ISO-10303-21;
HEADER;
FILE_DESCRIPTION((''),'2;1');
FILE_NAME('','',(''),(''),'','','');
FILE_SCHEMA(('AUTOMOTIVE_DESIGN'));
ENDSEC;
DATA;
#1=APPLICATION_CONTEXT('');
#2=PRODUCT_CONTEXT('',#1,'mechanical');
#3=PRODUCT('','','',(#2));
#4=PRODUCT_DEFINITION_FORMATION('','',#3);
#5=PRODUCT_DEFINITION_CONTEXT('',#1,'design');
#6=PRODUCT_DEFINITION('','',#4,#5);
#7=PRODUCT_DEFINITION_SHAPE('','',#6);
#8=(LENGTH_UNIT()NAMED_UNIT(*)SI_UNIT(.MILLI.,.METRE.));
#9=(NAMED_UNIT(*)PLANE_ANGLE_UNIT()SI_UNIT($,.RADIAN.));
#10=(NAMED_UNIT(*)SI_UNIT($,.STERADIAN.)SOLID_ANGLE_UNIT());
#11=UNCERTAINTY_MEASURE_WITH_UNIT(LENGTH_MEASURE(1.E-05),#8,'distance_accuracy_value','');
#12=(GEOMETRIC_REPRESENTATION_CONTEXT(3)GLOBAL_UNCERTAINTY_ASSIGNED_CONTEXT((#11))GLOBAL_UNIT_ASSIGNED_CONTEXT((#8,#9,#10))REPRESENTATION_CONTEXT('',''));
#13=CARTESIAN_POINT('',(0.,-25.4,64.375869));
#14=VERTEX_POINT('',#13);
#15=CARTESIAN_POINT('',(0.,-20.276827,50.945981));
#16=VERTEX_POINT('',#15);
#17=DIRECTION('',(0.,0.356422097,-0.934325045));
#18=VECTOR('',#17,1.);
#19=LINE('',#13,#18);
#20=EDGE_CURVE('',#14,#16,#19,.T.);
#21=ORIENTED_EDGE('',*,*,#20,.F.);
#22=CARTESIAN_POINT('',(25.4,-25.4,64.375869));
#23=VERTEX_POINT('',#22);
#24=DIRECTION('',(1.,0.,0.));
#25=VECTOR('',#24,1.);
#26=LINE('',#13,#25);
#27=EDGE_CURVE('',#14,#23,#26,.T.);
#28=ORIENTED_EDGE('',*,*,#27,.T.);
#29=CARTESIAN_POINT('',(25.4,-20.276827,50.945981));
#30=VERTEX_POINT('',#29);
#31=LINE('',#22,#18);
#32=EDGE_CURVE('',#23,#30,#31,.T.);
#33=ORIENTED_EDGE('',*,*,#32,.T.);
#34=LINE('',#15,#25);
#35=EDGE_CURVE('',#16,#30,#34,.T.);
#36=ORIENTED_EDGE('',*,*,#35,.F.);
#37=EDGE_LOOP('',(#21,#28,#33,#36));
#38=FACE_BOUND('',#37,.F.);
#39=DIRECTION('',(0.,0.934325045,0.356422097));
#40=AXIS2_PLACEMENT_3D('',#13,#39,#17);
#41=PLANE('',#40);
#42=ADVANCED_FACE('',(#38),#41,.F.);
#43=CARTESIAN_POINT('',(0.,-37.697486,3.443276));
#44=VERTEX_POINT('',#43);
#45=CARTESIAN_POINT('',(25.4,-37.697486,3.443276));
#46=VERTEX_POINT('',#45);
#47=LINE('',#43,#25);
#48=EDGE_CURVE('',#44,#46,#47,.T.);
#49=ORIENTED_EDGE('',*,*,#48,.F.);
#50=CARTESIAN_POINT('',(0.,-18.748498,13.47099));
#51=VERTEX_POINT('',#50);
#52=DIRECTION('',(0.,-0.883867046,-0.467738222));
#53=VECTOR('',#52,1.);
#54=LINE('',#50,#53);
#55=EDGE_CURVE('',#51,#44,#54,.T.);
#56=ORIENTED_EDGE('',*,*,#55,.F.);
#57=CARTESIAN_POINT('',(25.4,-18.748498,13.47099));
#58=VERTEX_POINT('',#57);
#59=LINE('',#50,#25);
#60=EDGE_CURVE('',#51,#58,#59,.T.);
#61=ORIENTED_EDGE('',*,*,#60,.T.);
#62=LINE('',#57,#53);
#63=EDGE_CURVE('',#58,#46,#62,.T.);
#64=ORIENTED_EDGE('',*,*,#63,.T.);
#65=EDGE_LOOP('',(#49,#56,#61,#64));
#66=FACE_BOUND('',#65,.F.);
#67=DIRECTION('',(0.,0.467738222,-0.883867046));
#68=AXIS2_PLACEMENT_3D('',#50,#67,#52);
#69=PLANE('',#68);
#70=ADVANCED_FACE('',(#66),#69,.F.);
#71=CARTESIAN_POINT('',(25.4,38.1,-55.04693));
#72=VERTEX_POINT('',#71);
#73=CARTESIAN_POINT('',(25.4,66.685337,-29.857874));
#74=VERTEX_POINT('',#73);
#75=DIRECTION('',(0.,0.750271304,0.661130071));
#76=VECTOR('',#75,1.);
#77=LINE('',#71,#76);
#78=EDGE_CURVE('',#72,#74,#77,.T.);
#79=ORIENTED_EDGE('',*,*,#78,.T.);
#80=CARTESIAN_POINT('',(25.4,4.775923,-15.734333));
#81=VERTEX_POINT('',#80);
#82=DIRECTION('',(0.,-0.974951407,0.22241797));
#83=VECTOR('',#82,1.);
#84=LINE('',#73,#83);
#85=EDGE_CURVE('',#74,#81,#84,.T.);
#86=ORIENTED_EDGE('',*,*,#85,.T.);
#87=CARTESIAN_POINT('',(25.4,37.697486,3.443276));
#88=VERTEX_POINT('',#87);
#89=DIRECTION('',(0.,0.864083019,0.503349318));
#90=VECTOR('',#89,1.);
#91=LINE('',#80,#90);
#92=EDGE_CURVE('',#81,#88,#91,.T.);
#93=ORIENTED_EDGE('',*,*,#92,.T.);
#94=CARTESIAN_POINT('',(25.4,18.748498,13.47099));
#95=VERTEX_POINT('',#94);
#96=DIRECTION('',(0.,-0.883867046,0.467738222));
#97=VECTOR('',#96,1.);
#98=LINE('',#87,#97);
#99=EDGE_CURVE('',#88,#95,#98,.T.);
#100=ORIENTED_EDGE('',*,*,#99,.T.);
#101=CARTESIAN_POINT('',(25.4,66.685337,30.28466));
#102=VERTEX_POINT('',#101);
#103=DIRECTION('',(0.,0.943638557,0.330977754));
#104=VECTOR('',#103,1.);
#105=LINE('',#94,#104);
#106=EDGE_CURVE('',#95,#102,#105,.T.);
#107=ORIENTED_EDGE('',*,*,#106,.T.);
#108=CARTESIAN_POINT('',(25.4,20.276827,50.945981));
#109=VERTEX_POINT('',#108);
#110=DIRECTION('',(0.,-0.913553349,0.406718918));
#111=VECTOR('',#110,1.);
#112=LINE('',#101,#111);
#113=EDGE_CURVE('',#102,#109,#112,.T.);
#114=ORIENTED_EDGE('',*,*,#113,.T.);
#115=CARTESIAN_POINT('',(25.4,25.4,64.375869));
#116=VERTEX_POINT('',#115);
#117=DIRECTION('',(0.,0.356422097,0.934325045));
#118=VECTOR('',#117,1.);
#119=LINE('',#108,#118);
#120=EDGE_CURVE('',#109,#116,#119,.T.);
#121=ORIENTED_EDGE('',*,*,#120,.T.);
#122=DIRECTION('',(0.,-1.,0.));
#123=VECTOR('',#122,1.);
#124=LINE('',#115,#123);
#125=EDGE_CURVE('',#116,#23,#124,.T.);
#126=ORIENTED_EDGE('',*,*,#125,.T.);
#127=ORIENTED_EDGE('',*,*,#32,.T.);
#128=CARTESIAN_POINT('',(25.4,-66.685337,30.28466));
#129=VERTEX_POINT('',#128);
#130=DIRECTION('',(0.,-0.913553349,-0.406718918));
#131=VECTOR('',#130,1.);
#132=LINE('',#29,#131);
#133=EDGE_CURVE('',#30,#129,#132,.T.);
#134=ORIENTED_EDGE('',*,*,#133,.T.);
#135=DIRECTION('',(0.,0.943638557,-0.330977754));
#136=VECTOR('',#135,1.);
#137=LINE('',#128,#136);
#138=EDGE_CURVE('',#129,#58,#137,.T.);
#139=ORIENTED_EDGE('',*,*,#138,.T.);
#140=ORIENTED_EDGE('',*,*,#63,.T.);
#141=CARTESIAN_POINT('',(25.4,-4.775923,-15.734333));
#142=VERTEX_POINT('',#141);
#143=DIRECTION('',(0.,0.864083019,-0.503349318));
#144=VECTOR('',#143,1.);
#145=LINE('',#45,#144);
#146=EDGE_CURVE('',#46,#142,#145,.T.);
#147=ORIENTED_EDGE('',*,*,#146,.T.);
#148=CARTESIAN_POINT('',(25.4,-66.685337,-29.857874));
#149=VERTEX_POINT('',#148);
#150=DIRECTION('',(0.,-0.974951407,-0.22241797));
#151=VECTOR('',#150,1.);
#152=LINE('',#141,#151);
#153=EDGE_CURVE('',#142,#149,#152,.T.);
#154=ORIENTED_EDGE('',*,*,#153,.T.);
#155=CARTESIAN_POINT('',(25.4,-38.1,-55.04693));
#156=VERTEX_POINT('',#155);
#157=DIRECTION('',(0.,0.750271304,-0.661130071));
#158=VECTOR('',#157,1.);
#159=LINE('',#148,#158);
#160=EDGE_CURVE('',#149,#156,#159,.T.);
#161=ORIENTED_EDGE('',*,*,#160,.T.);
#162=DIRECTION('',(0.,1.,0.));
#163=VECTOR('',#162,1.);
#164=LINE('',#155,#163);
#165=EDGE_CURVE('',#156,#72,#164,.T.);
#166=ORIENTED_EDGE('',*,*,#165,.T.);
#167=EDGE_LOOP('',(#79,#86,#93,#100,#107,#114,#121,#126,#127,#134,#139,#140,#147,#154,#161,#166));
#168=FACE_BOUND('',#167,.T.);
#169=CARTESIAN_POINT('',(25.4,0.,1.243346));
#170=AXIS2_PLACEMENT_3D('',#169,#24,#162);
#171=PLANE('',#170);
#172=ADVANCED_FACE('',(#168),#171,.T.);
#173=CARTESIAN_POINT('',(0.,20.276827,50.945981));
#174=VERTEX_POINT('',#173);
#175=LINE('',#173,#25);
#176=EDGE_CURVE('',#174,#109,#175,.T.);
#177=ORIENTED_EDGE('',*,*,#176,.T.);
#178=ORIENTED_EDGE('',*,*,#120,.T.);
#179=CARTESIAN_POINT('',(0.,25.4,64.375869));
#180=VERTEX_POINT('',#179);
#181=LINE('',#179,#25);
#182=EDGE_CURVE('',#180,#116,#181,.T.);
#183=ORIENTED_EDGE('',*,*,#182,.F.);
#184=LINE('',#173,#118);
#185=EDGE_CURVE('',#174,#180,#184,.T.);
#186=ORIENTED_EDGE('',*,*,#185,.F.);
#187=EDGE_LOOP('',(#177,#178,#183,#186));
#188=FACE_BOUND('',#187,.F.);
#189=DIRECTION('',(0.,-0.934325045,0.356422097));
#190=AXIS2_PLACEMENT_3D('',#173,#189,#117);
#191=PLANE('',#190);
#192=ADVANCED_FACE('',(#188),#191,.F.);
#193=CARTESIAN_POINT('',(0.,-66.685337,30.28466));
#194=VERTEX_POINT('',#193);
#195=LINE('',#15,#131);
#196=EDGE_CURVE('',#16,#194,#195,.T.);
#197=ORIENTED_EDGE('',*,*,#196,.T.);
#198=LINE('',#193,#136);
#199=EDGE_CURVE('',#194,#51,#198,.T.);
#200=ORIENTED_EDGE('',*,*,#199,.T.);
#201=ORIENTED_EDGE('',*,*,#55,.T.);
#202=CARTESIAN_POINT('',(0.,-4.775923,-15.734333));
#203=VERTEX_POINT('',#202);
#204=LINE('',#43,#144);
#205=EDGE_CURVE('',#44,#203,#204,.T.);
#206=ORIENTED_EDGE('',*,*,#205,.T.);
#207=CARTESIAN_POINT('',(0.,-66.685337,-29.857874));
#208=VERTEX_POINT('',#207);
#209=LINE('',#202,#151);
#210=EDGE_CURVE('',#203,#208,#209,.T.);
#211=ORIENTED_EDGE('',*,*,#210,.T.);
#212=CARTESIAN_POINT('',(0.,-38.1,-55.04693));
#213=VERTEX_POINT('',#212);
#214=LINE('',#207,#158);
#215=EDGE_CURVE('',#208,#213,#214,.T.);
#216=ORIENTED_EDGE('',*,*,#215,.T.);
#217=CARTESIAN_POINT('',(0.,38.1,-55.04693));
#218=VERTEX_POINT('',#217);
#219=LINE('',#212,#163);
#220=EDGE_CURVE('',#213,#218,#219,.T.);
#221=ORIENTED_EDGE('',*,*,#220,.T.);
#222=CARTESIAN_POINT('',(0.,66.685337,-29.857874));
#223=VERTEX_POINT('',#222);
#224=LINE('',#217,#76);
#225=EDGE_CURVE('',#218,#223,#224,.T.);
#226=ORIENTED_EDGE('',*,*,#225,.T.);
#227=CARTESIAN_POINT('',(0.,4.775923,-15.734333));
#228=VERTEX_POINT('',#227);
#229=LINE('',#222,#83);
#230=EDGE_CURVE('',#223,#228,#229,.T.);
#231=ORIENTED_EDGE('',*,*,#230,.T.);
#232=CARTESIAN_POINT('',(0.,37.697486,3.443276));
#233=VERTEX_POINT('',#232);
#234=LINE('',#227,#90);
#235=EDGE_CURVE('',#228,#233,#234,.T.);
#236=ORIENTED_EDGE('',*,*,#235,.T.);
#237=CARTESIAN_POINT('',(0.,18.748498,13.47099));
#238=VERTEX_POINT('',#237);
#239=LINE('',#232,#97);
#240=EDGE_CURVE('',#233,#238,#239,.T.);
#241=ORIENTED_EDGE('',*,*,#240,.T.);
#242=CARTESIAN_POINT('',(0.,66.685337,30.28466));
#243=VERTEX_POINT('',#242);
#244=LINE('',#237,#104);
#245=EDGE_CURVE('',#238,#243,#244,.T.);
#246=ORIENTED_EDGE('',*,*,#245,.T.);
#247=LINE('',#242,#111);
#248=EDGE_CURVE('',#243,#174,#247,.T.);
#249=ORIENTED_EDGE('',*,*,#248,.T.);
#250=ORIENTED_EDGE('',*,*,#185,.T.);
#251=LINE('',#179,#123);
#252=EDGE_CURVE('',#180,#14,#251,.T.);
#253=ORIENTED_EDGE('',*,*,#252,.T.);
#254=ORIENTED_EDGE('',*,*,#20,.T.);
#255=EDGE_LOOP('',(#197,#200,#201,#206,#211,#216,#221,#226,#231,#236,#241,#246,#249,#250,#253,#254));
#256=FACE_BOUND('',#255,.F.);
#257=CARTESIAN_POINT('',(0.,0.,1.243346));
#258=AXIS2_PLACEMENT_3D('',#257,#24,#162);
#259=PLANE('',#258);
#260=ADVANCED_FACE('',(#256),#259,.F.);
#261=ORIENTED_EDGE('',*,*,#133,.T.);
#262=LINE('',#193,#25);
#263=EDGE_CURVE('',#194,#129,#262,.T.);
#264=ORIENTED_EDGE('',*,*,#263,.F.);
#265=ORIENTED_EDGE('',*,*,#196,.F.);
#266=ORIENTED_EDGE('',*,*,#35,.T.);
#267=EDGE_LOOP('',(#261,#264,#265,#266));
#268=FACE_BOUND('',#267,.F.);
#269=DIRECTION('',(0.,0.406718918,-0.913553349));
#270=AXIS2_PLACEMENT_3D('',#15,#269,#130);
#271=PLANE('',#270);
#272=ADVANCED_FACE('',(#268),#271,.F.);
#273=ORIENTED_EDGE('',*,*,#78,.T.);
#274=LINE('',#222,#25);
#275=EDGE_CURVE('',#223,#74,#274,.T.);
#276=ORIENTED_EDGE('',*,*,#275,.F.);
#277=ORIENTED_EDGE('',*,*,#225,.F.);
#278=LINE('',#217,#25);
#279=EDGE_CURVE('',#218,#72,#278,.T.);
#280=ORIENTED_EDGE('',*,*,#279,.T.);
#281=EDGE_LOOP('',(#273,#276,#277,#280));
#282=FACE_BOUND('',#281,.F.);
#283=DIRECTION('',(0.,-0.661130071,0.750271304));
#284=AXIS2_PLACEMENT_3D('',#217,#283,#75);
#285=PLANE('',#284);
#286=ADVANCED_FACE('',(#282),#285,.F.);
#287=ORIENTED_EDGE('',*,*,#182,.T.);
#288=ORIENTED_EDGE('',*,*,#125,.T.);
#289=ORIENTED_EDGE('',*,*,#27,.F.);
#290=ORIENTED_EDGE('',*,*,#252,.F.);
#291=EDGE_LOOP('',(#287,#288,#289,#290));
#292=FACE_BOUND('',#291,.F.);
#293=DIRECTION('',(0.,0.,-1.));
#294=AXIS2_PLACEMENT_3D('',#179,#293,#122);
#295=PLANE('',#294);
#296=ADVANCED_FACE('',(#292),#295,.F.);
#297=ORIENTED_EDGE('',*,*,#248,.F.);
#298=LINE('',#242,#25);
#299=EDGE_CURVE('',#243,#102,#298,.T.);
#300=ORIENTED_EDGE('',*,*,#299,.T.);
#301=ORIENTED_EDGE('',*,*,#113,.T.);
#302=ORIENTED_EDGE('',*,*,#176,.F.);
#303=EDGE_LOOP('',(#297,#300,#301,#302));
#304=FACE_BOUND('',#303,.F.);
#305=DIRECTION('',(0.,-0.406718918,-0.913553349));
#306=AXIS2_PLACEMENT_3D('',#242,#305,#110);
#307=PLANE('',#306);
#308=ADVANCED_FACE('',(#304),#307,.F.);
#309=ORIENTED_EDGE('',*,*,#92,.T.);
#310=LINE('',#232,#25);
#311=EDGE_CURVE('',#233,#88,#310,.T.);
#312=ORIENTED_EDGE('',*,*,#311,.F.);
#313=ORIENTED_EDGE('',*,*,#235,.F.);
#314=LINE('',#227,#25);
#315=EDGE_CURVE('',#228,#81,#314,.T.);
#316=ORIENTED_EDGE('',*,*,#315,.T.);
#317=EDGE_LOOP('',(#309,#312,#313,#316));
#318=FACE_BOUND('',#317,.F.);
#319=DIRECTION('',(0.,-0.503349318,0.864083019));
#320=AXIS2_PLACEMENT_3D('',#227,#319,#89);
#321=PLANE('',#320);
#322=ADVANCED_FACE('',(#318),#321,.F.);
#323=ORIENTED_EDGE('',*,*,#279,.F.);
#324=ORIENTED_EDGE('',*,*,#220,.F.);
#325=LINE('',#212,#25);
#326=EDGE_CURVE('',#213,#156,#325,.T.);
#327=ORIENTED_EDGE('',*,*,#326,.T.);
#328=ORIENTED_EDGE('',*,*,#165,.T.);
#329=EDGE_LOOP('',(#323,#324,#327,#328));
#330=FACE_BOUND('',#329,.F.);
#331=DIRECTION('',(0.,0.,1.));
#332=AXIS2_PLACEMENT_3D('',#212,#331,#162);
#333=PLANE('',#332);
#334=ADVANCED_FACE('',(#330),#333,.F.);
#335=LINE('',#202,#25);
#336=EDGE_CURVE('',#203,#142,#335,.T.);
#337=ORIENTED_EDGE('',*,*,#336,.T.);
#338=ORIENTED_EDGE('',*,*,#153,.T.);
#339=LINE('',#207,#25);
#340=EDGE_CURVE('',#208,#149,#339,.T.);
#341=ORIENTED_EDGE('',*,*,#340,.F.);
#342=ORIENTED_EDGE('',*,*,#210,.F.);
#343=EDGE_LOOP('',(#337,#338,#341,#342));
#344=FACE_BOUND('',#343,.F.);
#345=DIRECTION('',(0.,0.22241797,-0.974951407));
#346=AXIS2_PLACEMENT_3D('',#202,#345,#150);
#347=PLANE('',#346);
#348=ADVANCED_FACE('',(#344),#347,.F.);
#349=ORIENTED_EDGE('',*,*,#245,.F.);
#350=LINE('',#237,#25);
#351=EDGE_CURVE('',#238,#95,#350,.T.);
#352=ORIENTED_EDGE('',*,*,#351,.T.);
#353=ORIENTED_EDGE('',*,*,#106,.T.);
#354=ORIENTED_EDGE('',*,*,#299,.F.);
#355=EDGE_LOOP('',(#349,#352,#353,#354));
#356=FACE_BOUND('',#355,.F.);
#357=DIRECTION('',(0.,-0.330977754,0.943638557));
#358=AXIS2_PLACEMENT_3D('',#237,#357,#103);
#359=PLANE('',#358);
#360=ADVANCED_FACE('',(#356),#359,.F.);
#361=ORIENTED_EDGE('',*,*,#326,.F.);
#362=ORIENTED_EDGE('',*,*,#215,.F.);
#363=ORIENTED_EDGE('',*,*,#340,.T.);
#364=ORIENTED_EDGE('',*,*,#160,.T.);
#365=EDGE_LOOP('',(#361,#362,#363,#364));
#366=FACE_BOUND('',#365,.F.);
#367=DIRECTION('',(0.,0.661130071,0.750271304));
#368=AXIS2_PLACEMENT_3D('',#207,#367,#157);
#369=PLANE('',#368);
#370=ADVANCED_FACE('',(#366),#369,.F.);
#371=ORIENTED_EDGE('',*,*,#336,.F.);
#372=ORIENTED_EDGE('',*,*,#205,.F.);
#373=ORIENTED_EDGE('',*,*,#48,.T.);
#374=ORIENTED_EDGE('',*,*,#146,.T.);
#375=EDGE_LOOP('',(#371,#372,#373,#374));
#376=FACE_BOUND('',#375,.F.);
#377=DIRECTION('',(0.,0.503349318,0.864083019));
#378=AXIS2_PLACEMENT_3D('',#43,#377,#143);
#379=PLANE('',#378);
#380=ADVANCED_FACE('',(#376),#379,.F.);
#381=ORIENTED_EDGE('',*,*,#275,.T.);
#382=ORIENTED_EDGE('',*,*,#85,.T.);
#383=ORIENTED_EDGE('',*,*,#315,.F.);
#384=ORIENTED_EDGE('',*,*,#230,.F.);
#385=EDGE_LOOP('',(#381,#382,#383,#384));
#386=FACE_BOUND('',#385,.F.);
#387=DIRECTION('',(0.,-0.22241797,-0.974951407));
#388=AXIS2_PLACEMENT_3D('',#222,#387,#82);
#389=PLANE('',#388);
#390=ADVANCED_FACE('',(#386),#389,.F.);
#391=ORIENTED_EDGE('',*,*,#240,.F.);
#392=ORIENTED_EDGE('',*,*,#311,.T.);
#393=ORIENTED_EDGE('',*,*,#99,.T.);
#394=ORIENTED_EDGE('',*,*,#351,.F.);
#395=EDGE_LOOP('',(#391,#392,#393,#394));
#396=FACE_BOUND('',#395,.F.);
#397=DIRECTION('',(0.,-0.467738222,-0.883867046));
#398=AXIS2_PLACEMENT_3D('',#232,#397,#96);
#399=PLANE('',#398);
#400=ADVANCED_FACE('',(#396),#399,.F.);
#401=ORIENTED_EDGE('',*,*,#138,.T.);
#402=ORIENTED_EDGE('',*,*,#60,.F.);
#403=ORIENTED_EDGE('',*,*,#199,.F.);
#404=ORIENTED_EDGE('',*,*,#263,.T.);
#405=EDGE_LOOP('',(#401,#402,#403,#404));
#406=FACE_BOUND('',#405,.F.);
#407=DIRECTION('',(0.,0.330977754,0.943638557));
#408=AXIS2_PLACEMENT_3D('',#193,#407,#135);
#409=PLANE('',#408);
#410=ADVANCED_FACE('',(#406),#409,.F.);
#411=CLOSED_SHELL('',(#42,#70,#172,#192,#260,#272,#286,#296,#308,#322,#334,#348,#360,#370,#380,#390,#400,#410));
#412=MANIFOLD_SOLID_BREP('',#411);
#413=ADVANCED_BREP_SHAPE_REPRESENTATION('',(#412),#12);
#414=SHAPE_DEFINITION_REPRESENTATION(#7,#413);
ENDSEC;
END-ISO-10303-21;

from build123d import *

# Parameters (mm, degrees)
F1_DEPTH = 25.4


with BuildPart() as f1:
    # F0 (on Right) → F1 (new body)
    with BuildSketch(Plane.YZ):
        Polygon((25.4, 64.375869), (0, 64.375869), (-25.4, 64.375869), (-20.276827, 50.945981), (-66.685337, 30.28466), (-18.748498, 13.47099), (-37.697486, 3.443276), (-4.775923, -15.734333), (-66.685337, -29.857874), (-38.1, -55.04693), (-25.4, -55.04693), (0, -55.04693), (25.4, -55.04693), (38.1, -55.04693), (66.685337, -29.857874), (4.775923, -15.734333), (37.697486, 3.443276), (18.748498, 13.47099), (66.685337, 30.28466), (20.276827, 50.945981), align=None)
    extrude(amount=F1_DEPTH)


solid = f1.part
